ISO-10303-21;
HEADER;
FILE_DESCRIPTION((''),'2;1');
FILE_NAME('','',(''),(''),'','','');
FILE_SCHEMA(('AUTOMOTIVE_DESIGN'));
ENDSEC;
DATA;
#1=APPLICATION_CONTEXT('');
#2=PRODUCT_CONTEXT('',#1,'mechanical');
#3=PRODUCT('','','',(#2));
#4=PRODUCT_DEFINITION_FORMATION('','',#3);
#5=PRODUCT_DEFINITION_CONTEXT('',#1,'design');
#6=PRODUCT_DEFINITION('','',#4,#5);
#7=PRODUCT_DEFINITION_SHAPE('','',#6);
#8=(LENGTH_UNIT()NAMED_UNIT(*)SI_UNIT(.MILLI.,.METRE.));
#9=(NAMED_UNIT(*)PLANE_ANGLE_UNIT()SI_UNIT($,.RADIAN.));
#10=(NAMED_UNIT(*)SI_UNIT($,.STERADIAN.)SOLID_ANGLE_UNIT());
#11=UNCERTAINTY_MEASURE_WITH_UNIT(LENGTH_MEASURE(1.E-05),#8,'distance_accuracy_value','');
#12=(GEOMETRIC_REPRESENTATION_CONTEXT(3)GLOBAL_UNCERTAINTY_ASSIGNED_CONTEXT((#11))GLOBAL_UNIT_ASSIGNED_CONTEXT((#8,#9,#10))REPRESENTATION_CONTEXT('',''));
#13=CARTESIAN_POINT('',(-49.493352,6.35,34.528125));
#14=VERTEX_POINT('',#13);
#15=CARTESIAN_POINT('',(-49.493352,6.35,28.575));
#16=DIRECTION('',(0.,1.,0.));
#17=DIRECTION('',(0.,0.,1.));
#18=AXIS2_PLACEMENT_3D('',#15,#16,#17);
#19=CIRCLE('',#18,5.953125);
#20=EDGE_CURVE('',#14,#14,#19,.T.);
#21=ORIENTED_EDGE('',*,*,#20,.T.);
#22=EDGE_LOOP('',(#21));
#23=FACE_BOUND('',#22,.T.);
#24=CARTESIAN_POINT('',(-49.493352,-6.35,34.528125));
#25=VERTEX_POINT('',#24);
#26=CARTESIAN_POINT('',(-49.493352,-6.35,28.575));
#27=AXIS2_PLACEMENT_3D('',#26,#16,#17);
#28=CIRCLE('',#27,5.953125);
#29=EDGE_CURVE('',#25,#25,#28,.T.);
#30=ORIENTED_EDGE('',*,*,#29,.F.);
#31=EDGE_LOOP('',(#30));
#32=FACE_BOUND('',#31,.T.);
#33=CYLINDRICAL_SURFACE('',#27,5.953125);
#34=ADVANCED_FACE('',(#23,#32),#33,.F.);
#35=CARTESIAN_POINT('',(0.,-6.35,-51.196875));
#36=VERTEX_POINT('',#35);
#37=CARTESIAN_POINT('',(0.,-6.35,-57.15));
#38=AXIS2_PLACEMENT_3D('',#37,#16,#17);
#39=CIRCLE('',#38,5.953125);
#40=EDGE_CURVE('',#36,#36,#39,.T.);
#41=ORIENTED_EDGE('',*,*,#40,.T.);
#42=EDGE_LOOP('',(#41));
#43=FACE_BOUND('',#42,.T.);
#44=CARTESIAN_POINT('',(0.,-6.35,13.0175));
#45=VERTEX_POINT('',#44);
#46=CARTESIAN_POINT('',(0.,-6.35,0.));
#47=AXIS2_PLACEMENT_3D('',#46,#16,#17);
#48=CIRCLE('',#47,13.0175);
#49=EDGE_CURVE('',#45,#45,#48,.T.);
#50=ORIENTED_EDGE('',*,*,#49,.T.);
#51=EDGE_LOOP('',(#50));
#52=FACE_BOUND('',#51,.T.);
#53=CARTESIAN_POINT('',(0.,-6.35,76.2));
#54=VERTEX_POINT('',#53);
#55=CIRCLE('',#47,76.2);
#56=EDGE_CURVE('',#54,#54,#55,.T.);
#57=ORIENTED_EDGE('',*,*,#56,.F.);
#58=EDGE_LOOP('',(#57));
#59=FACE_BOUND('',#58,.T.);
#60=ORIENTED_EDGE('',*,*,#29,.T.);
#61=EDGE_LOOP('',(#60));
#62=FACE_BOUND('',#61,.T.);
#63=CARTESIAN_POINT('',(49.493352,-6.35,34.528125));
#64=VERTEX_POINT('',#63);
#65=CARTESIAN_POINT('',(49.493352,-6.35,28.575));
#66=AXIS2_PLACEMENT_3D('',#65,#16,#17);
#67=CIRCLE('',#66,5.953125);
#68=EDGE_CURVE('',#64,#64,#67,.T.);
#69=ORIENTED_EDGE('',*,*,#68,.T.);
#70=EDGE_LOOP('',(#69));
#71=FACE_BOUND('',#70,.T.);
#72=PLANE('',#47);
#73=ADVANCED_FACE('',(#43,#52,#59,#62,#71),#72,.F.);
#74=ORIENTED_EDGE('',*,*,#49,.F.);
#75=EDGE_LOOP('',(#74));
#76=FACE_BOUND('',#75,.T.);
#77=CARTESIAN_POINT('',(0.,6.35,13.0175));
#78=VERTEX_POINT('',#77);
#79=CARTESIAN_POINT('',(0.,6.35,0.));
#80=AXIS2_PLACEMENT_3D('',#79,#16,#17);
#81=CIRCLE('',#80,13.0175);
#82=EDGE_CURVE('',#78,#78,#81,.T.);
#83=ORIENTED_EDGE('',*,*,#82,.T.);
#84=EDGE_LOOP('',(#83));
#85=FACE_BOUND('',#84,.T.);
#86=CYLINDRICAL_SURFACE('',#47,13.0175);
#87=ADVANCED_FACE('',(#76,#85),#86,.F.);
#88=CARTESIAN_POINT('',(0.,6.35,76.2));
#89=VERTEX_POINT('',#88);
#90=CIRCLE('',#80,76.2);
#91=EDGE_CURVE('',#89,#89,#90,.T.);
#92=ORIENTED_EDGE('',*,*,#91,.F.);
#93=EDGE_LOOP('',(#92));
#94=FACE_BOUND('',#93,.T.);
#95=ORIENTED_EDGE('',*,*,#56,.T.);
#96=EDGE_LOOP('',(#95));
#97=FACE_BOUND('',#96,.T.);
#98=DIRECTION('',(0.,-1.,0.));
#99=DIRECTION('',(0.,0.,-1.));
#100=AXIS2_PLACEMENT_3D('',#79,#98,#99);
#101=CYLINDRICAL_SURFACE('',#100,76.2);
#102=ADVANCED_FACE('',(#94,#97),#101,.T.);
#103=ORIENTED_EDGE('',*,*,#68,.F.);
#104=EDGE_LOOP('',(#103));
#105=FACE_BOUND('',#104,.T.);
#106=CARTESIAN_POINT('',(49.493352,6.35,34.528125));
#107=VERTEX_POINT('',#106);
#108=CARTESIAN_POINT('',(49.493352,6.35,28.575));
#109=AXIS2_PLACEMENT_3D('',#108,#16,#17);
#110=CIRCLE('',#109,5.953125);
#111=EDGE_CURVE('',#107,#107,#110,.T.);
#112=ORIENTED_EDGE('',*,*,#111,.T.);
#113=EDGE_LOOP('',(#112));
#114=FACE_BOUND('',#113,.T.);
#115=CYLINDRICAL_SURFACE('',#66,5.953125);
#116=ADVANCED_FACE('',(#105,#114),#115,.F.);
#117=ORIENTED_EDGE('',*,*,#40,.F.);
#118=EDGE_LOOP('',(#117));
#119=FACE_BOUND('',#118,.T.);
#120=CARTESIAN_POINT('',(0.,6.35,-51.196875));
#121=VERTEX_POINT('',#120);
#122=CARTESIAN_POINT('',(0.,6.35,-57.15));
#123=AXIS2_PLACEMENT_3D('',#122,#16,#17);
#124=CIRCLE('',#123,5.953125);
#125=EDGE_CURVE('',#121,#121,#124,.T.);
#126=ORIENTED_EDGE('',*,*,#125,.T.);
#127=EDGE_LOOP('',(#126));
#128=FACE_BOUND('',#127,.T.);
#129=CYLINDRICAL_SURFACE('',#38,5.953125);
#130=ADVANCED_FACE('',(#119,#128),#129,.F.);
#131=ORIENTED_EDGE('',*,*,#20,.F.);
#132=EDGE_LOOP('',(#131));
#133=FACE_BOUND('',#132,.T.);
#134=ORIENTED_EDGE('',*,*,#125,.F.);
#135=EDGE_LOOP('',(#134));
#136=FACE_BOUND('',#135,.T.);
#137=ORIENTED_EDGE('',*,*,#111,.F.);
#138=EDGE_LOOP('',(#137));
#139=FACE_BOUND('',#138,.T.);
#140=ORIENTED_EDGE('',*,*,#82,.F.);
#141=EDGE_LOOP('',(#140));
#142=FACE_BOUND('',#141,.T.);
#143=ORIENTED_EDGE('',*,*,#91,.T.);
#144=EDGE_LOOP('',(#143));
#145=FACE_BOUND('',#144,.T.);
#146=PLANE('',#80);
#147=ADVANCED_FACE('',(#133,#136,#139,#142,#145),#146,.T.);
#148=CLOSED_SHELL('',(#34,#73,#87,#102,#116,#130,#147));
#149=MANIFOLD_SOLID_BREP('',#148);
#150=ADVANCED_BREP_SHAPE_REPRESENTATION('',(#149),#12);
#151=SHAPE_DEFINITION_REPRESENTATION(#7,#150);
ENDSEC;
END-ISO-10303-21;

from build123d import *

# Parameters (mm, degrees)
SKETCH3_R                = 76.2
BOSS_EXTRUDE1_DEPTH      = 6.35
BOSS_EXTRUDE1_DEPTH_BACK = 6.35
SKETCH4_R                = 13.0175
SKETCH4_R_2              = 5.953125
CUT_EXTRUDE1_DEPTH       = 13.7


with BuildPart() as part:
    # Sketch3 → Boss-Extrude1 (new body, two sides)
    with BuildSketch(Plane(origin=(0, 0, 0), x_dir=(1, 0, 0), z_dir=(0, 1, 0))) as boss_extrude1_sk:
        Circle(SKETCH3_R)
    extrude(amount=BOSS_EXTRUDE1_DEPTH)
    extrude(boss_extrude1_sk.sketch, amount=-BOSS_EXTRUDE1_DEPTH_BACK)

    # Sketch4 → Cut-Extrude1 (cut, through all)
    with BuildSketch(Plane(origin=(0, 6.35, 0), x_dir=(1, 0, 0), z_dir=(0, 1, 0))):
        Circle(SKETCH4_R)
        with Locations((0, 57.15)):
            Circle(SKETCH4_R_2)
        with Locations((49.493351826, -28.575)):
            Circle(SKETCH4_R_2)
        with Locations((-49.493351826, -28.575)):
            Circle(SKETCH4_R_2)
    extrude(amount=-CUT_EXTRUDE1_DEPTH, mode=Mode.SUBTRACT)


solid = part.part
